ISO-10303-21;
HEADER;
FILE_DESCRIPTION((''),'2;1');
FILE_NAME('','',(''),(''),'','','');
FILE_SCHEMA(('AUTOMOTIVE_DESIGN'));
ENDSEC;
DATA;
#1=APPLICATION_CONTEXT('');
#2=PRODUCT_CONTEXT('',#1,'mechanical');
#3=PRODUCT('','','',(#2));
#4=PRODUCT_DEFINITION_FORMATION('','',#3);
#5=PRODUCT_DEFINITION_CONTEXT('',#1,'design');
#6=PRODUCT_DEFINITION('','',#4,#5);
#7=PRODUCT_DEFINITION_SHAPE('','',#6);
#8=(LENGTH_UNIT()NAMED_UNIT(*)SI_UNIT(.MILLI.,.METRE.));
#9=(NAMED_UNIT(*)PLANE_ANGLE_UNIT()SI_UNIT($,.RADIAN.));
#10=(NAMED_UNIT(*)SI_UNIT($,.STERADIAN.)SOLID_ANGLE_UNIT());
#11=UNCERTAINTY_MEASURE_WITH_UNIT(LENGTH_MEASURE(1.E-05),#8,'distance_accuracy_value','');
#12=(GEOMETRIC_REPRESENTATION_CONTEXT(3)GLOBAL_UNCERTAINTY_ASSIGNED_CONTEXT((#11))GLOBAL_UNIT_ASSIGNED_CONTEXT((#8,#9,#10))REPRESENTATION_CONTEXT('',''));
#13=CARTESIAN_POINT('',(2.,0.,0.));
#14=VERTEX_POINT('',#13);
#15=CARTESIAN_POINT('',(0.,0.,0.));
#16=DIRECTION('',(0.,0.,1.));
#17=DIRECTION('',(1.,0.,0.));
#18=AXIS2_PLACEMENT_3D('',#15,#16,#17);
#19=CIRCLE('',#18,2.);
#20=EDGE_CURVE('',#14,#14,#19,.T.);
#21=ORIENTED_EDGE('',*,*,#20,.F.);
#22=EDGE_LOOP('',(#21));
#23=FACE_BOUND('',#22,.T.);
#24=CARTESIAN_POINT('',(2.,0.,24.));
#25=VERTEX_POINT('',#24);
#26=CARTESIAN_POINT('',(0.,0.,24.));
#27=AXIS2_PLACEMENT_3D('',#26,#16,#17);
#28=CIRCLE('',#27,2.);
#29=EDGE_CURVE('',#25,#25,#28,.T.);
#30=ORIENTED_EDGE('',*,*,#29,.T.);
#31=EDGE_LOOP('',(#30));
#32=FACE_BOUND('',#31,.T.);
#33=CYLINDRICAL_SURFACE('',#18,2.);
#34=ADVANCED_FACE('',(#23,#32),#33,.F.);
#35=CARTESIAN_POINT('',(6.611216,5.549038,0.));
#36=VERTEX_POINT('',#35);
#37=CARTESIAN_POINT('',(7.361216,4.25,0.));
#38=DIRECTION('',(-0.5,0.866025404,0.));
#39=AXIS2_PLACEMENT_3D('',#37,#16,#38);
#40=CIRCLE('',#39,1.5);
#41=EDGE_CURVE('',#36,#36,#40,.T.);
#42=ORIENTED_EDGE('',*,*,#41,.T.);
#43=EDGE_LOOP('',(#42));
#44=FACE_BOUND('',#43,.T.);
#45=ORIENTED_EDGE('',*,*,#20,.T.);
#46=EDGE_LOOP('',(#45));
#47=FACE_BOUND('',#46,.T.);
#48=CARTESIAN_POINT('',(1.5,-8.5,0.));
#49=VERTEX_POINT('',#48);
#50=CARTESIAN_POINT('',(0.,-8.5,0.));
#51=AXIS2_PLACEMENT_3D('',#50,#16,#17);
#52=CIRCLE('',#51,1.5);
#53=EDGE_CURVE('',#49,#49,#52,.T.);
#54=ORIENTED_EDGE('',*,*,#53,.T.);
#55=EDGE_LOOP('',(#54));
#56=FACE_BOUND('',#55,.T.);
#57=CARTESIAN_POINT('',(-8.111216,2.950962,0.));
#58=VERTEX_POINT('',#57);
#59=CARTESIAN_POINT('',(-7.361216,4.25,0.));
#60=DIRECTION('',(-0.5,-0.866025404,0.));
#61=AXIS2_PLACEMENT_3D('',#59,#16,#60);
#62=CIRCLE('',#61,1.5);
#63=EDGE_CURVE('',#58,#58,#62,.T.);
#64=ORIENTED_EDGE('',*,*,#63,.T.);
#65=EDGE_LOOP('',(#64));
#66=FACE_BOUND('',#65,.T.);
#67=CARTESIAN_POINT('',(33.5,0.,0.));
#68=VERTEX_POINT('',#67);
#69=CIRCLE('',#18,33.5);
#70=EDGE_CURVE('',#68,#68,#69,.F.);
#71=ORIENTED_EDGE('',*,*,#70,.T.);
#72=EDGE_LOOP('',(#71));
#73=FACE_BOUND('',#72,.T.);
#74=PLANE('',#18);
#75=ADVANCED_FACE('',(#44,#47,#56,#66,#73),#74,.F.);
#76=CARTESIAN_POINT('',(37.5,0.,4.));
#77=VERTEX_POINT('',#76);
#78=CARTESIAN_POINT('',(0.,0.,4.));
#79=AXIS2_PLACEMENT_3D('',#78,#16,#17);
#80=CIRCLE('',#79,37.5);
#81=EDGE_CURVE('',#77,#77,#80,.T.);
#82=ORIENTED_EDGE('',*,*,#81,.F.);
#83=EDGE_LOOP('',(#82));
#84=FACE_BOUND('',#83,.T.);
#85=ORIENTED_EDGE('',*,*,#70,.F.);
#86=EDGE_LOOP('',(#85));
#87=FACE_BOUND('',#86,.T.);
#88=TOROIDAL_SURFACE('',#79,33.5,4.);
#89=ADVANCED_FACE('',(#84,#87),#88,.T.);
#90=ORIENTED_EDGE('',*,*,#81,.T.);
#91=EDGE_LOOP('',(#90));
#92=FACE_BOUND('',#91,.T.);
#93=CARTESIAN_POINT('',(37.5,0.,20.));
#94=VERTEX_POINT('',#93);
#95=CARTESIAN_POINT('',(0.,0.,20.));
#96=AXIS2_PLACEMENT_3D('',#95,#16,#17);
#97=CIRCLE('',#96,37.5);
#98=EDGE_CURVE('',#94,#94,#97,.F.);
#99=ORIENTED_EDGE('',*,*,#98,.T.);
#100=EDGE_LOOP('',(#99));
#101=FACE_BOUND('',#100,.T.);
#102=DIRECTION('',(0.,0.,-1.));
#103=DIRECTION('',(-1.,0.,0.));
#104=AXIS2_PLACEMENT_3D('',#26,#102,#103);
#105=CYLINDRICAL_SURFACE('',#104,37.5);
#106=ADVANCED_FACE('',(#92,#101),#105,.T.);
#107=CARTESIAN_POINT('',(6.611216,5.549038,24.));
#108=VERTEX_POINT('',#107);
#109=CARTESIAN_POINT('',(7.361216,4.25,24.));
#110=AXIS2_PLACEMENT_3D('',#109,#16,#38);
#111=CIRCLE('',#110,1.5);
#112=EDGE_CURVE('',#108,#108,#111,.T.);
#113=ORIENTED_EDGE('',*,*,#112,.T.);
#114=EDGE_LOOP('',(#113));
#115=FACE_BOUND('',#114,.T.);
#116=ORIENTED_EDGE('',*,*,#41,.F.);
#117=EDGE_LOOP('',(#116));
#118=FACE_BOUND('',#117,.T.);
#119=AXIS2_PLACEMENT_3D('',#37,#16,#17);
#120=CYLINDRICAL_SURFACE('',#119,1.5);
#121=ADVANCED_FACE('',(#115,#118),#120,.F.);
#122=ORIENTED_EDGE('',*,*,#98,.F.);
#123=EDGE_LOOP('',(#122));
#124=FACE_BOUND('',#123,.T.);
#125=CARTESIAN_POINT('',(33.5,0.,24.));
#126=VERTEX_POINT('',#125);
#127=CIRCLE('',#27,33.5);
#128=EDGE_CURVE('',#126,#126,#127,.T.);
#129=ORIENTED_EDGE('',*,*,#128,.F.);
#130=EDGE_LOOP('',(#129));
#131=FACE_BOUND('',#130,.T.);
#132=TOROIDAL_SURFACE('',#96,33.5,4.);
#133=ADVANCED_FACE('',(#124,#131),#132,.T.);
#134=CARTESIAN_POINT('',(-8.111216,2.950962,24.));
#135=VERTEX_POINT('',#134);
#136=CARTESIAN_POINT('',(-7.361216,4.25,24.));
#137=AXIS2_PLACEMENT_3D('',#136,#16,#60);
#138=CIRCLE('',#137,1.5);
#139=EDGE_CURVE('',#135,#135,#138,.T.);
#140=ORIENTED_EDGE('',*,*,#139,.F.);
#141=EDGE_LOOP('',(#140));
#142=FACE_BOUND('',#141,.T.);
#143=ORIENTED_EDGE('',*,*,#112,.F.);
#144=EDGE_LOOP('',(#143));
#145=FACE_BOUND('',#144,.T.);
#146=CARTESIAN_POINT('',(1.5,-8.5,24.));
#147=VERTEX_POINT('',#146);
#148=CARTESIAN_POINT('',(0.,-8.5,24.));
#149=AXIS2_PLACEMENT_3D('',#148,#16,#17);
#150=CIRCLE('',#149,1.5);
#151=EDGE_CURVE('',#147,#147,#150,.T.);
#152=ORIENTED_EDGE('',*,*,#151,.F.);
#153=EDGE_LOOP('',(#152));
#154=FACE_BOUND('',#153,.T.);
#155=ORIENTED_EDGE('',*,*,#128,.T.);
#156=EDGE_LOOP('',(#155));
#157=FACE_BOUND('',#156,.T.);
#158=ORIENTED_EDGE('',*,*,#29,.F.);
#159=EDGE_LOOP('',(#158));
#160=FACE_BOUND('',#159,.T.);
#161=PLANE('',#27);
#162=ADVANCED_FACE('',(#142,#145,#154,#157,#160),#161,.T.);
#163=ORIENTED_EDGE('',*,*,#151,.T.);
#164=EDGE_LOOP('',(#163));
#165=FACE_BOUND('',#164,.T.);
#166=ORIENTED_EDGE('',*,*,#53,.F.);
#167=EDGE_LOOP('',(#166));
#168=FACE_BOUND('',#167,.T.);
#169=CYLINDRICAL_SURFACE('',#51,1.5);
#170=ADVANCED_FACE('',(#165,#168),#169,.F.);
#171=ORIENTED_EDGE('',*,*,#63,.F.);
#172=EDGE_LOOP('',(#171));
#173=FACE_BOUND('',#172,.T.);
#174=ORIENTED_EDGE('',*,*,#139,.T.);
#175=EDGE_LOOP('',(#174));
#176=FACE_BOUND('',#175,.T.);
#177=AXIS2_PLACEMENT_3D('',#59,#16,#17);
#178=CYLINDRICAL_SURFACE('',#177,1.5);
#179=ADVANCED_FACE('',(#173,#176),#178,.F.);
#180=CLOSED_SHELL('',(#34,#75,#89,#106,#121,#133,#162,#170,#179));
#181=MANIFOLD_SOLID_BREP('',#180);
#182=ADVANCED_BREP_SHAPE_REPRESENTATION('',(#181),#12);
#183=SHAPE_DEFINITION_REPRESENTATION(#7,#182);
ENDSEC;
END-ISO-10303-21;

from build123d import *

# Parameters (mm, degrees)
SKETCH1_R           = 37.5
BOSS_EXTRUDE2_DEPTH = 24
FILLET1_R           = 4
SKETCH2_R           = 2
CUT_EXTRUDE1_DEPTH  = 24
SKETCH3_R           = 1.5
CUT_EXTRUDE3_DEPTH  = 25
CIRPATTERN1_COUNT   = 3


with BuildPart() as part:
    # Sketch1 → Boss-Extrude2 (new body)
    with BuildSketch(Plane.XY):
        Circle(SKETCH1_R)
    extrude(amount=BOSS_EXTRUDE2_DEPTH)

    # Fillet1
    fillet1_edges = [part.edges().sort_by_distance(p)[0] for p in [
        (-37.5, 0, 0),
        (-37.5, 0, 24),
    ]]
    fillet(fillet1_edges, radius=FILLET1_R)

    # Sketch2 → Cut-Extrude1 (cut)
    with BuildSketch(Plane.XY.offset(24)):
        Circle(SKETCH2_R)
    extrude(amount=-CUT_EXTRUDE1_DEPTH, mode=Mode.SUBTRACT)

    # Sketch3 → Cut-Extrude3 (cut, through all)
    with BuildSketch(Plane.XY.offset(24)):
        with Locations((0, -8.5)):
            Circle(SKETCH3_R)
    cut_extrude3 = extrude(amount=-CUT_EXTRUDE3_DEPTH, mode=Mode.SUBTRACT)

    # CirPattern1: Cut-Extrude3 ×3 about axis
    cirpattern1_axis = Axis((0, 0, 0), (0, 0, 1))
    for i in range(1, CIRPATTERN1_COUNT):
        add(cut_extrude3.rotate(cirpattern1_axis, i * 360 / CIRPATTERN1_COUNT), mode=Mode.SUBTRACT)


solid = part.part
